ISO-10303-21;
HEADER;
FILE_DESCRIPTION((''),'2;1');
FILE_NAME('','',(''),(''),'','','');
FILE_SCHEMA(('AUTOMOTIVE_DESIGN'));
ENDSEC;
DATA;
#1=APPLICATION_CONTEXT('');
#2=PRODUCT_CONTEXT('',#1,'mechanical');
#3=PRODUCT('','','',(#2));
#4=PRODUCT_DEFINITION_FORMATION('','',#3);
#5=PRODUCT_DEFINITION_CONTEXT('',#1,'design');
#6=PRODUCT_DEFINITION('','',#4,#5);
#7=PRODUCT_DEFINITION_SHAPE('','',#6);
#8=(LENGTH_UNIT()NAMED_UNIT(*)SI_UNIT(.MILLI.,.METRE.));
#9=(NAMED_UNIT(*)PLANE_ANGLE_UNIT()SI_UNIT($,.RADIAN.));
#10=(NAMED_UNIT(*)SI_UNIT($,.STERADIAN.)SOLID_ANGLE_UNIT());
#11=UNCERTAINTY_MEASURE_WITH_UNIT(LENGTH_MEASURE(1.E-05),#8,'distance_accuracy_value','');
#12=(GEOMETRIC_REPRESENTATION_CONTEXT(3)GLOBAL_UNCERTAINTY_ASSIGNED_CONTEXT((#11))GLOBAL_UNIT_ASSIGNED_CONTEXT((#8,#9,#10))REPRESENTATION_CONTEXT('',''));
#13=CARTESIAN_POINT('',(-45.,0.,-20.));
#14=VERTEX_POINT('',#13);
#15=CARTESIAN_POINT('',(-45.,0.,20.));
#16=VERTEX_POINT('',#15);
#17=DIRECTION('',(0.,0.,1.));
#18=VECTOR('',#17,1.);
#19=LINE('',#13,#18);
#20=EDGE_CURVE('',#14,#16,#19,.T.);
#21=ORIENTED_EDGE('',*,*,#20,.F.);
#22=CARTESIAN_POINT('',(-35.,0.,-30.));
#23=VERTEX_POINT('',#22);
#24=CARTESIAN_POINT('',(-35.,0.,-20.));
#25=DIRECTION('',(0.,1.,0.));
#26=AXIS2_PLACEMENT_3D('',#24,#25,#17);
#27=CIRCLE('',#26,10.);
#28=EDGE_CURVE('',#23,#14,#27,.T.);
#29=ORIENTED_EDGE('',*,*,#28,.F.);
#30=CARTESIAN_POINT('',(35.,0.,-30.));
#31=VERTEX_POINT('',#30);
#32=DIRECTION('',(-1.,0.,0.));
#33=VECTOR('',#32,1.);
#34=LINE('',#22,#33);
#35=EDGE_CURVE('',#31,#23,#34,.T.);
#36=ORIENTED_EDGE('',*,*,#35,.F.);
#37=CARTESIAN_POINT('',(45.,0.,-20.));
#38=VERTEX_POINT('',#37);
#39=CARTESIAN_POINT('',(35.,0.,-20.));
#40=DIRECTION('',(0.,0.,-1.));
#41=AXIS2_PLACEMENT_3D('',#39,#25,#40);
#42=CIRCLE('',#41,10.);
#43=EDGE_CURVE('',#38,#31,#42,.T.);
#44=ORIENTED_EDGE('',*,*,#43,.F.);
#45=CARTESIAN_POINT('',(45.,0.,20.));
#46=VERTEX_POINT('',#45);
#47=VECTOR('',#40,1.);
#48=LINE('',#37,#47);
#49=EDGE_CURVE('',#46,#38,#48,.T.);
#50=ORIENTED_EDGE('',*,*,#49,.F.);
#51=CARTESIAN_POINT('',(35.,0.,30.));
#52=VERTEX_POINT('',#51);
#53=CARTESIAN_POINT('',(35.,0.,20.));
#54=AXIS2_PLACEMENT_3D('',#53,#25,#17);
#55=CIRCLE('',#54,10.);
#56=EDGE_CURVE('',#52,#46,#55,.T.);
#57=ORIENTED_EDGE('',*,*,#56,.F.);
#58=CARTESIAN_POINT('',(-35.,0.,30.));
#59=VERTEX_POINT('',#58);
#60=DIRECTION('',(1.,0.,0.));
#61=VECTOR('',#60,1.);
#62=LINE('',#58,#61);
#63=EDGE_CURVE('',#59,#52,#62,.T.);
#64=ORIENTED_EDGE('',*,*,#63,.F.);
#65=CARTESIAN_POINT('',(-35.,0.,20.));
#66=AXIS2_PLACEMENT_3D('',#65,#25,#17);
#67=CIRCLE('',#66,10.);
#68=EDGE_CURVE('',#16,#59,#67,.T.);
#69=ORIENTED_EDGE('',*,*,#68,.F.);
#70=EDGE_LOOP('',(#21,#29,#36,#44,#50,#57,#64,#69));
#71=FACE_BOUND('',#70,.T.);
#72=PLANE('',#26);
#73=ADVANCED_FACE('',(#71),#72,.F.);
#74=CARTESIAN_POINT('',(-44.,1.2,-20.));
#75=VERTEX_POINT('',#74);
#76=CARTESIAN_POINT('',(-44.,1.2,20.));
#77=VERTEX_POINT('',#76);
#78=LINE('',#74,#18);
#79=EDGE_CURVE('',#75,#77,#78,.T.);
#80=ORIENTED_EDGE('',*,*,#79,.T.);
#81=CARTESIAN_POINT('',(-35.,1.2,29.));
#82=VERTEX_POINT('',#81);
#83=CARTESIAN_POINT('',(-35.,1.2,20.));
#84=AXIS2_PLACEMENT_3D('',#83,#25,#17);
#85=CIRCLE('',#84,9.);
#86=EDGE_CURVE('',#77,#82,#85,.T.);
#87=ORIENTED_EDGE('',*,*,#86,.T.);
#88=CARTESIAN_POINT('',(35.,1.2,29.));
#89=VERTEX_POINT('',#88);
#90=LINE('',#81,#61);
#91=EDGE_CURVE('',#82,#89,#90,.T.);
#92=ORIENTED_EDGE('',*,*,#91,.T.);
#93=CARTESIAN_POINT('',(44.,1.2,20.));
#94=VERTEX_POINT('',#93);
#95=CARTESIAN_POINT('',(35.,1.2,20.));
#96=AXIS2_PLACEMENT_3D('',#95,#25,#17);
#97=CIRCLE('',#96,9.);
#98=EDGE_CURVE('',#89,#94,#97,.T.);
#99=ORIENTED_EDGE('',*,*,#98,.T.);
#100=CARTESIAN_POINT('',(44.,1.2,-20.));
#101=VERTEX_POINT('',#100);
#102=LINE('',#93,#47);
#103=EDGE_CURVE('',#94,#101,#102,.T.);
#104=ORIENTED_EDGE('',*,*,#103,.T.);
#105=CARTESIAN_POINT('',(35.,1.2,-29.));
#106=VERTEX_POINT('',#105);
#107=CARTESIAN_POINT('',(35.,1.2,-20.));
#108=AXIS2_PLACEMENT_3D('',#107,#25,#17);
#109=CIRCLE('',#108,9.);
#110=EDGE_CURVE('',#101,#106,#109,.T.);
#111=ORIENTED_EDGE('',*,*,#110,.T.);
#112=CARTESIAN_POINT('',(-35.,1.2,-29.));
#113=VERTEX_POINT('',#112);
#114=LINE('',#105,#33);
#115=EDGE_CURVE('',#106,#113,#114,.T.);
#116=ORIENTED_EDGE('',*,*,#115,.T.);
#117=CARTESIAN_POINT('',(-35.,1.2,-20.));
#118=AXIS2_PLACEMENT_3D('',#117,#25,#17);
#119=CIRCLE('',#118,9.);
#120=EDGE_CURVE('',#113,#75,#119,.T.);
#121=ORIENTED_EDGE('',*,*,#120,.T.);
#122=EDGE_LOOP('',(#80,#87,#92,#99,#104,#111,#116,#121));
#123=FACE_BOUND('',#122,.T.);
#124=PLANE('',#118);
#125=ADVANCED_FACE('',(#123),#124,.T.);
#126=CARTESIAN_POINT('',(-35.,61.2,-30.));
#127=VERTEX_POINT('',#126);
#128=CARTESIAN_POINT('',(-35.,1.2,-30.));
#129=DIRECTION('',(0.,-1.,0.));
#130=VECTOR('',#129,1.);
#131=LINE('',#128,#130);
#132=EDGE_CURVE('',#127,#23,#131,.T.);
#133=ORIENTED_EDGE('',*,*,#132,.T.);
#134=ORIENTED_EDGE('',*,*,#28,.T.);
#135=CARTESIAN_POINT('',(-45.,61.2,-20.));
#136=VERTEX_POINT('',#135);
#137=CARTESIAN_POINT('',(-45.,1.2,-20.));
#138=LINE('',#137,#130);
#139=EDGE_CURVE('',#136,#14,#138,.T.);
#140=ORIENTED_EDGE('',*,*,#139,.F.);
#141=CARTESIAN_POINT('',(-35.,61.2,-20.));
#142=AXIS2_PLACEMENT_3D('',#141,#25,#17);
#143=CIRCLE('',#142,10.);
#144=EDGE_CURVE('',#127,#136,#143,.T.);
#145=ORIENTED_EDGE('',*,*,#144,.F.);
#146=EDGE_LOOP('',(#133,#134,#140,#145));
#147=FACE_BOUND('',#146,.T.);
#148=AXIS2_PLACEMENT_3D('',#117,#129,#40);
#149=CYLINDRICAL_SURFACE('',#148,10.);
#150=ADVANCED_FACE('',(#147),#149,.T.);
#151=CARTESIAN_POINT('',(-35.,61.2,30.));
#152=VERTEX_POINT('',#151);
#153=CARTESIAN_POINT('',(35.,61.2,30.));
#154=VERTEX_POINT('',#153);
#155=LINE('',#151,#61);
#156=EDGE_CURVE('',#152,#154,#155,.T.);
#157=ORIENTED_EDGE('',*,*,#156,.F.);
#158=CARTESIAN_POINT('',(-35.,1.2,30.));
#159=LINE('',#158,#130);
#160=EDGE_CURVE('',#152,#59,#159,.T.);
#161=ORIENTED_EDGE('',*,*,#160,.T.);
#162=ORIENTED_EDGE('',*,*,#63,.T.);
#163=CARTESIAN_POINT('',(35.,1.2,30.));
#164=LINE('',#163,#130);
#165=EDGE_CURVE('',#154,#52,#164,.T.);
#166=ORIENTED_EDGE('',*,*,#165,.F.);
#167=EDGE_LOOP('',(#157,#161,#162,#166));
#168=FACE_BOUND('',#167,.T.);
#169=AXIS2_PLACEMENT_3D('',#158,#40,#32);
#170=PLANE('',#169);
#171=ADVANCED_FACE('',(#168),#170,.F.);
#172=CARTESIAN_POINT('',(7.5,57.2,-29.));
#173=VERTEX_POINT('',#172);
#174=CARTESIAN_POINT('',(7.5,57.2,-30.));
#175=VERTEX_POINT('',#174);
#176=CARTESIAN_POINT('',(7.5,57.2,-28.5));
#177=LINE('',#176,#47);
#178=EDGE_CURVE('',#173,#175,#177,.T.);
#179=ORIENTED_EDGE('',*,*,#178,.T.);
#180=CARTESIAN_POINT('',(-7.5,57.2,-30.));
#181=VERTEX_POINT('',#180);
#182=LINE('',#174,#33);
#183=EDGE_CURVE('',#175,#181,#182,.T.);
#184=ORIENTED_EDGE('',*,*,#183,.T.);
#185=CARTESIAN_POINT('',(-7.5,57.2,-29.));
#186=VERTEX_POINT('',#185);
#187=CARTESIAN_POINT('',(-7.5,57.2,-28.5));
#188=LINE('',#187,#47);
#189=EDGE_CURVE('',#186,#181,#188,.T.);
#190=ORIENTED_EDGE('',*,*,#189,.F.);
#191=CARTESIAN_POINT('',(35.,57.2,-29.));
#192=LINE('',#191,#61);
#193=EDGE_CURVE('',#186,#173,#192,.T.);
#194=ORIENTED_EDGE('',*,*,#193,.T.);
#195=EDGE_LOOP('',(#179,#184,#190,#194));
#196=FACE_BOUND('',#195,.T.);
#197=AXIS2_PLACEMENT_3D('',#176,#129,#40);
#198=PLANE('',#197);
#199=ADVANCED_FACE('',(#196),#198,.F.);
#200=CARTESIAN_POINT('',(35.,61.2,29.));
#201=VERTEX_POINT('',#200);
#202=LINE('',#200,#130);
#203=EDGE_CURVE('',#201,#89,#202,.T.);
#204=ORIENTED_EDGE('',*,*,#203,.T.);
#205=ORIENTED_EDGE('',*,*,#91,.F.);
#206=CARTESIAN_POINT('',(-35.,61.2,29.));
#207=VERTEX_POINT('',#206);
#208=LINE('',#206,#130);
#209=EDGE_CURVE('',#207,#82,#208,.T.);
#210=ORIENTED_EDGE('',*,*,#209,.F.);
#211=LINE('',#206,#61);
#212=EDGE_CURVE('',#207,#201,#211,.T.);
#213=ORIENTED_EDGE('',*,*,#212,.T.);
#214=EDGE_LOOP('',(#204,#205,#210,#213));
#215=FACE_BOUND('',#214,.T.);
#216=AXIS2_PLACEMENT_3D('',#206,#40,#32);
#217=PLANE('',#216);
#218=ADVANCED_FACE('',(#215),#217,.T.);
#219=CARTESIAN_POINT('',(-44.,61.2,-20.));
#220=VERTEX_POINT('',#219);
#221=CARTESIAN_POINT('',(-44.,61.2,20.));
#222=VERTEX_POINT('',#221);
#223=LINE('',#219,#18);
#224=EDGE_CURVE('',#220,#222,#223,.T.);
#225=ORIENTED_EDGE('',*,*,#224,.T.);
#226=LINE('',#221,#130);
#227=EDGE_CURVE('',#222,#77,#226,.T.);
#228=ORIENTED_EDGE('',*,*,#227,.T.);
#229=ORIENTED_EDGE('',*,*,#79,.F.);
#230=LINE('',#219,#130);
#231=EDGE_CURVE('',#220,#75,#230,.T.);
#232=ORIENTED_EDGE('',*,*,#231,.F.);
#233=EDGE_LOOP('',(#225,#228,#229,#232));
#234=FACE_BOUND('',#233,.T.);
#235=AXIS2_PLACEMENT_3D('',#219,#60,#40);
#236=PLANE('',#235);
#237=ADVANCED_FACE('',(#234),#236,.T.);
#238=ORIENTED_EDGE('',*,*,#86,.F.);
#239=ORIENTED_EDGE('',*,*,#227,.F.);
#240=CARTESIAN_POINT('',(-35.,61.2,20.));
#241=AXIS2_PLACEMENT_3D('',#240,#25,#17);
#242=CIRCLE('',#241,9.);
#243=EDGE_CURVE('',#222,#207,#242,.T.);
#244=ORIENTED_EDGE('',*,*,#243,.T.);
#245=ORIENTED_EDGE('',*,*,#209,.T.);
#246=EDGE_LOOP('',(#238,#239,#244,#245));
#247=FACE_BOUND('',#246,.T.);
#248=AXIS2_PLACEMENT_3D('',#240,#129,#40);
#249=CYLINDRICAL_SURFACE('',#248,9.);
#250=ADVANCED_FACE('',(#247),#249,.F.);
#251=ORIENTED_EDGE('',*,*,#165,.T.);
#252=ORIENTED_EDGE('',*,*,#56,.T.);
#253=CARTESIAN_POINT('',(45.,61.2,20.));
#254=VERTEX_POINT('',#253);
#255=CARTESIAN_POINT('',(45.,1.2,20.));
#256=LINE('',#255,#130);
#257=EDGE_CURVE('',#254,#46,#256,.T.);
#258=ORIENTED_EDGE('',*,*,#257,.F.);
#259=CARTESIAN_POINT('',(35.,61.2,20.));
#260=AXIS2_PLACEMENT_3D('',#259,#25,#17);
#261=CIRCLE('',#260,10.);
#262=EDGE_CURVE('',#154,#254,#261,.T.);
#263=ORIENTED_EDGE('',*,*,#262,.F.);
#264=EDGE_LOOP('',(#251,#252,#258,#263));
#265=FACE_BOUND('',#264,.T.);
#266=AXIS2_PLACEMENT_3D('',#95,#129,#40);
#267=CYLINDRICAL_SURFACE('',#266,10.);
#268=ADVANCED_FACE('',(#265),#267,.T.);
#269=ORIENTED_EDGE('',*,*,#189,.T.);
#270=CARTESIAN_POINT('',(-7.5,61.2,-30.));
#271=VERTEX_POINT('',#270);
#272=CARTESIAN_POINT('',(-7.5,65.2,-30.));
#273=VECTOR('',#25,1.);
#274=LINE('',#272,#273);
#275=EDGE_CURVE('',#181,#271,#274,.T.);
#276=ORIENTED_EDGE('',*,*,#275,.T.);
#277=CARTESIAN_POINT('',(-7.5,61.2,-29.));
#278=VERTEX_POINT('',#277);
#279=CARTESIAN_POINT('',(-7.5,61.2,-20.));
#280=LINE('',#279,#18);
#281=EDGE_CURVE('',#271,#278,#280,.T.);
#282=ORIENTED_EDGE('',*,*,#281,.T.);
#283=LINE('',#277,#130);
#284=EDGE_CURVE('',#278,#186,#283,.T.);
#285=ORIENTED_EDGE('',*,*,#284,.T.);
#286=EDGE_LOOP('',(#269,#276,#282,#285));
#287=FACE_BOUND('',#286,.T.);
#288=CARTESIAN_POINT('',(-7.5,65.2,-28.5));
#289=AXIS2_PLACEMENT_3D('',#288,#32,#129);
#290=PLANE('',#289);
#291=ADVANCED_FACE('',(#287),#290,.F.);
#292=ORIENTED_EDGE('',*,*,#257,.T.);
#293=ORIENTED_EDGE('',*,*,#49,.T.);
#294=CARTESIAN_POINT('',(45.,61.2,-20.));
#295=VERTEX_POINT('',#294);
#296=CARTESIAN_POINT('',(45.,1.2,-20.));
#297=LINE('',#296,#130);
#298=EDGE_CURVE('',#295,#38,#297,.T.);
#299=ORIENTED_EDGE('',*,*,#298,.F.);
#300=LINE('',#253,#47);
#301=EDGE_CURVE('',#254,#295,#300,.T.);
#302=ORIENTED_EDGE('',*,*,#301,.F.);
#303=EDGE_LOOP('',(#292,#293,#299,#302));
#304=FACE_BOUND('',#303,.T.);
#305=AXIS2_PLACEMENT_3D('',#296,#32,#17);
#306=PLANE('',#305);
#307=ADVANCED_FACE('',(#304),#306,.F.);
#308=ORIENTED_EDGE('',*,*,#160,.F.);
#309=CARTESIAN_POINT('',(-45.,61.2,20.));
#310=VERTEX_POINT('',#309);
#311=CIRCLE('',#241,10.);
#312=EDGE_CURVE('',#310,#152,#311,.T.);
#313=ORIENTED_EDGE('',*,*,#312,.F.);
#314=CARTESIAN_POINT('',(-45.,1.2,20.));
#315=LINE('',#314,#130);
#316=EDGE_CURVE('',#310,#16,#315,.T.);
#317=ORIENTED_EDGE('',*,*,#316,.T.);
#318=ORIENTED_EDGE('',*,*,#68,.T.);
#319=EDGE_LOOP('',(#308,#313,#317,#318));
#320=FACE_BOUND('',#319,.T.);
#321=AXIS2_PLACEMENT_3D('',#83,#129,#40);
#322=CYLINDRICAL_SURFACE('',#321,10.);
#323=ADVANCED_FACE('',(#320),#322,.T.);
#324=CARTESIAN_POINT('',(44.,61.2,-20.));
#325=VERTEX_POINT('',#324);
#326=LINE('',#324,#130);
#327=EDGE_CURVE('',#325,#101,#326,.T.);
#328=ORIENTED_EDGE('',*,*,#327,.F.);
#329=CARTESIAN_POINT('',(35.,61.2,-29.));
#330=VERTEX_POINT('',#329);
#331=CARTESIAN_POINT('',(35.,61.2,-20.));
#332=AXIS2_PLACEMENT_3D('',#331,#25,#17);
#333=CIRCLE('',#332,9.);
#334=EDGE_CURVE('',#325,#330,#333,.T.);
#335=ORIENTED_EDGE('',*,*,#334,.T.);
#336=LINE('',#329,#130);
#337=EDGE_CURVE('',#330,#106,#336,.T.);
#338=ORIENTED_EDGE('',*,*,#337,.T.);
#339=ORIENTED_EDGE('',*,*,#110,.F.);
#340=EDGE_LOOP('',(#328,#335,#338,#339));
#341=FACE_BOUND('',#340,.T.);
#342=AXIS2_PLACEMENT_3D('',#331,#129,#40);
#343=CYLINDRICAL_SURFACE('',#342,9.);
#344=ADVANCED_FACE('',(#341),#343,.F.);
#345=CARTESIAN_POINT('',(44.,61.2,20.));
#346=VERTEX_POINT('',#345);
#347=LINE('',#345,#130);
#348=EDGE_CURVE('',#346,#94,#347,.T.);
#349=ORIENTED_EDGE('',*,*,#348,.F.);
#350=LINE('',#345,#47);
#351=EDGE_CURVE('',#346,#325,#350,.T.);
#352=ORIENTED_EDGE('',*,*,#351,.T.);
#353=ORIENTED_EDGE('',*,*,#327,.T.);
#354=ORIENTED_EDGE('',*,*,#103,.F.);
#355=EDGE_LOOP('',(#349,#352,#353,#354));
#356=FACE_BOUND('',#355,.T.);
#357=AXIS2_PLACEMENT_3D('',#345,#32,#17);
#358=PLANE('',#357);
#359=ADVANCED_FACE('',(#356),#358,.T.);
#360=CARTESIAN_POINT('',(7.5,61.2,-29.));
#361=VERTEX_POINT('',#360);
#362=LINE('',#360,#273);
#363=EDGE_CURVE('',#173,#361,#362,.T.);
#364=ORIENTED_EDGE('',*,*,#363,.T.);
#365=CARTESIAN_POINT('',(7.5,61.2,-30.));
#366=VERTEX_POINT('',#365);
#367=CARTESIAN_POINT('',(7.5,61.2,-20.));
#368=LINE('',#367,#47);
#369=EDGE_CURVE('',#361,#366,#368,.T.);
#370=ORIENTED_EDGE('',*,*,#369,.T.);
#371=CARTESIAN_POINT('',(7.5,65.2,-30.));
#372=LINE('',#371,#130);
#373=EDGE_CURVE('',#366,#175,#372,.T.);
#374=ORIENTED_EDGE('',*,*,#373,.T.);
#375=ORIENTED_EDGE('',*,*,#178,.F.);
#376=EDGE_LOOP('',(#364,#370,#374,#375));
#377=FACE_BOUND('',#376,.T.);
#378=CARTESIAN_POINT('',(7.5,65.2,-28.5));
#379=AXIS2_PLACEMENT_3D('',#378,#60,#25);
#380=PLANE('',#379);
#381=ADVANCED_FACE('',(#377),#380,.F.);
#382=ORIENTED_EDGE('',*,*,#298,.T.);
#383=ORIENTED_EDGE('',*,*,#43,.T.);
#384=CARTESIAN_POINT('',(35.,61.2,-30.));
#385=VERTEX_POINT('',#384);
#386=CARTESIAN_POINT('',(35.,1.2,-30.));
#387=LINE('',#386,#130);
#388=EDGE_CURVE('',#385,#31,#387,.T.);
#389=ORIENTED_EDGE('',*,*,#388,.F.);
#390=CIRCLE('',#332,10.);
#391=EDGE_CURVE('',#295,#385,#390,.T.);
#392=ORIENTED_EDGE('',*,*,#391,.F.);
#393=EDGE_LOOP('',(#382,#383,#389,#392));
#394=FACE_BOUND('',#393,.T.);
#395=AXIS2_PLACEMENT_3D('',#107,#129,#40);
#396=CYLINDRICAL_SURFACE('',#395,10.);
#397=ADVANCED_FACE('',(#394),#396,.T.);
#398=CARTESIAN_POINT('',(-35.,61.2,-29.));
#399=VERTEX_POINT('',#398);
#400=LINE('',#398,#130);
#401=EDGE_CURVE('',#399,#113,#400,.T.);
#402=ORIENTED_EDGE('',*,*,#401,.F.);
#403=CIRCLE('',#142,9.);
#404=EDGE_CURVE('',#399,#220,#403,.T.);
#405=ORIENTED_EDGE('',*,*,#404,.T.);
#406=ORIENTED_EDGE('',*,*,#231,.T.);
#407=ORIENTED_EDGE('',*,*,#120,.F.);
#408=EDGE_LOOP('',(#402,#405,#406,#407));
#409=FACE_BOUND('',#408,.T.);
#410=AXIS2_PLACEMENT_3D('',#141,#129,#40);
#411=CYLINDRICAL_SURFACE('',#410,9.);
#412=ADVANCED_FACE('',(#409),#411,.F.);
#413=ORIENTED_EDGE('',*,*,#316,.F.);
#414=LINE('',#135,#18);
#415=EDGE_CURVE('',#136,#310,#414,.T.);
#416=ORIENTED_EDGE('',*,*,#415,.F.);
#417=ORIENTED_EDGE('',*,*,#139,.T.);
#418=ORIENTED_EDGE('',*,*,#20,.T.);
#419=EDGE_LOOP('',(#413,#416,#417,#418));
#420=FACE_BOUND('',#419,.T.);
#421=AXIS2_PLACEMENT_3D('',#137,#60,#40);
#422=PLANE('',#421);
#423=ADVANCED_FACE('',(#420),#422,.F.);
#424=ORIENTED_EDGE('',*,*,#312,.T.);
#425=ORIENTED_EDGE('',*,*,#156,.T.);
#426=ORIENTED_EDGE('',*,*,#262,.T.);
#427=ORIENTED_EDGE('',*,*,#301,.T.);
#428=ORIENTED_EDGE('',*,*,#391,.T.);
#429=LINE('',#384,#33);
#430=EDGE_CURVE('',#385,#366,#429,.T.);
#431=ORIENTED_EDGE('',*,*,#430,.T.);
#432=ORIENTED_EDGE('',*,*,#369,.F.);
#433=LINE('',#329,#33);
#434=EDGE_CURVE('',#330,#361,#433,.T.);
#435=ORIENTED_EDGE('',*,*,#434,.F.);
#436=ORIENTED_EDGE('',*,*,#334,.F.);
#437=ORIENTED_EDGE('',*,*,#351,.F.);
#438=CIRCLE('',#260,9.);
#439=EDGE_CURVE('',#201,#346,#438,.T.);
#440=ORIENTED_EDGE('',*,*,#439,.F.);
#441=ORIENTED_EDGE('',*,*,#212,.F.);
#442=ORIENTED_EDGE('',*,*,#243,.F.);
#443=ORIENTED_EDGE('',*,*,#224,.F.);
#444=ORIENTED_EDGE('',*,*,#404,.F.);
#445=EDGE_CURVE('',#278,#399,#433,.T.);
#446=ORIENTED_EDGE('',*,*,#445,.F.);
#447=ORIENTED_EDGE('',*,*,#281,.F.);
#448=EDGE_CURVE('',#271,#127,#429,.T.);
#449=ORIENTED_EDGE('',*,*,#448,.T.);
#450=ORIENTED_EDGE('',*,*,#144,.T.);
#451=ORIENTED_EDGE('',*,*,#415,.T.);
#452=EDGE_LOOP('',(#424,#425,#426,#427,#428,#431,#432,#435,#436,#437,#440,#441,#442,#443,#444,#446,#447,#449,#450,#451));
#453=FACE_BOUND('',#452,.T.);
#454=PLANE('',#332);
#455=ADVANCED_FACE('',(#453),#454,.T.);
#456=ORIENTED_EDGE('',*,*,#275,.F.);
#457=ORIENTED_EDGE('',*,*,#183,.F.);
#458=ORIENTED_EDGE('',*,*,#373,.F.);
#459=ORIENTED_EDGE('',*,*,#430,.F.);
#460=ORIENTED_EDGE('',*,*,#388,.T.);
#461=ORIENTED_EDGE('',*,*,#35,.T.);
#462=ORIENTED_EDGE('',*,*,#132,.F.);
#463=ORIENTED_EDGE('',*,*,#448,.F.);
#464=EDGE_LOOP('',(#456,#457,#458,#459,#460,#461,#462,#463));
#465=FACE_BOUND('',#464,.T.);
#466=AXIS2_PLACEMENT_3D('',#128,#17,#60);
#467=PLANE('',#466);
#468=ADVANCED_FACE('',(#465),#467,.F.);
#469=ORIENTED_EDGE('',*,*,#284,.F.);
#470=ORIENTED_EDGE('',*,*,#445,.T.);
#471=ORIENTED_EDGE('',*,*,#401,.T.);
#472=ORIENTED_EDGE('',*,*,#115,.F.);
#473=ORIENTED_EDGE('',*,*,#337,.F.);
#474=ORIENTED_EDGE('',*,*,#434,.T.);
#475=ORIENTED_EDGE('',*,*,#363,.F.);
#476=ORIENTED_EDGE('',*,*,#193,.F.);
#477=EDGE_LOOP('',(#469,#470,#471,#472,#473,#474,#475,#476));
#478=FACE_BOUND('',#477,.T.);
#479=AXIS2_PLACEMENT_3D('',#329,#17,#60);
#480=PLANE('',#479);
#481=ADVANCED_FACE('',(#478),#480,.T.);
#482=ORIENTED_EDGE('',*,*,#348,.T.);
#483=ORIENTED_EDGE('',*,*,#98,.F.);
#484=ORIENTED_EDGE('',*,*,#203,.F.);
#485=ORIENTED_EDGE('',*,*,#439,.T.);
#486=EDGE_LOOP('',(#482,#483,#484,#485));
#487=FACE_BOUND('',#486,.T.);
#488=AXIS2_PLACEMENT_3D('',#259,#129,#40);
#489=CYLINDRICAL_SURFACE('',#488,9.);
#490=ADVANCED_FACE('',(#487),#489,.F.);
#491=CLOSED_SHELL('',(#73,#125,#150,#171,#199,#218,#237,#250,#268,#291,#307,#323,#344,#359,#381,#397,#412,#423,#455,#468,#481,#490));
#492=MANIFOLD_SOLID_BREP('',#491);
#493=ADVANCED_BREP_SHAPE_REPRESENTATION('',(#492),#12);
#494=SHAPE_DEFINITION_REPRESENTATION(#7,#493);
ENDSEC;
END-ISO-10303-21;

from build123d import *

# Parameters (mm, degrees)
EXTRUDE_1_DEPTH     = 1.2
EXTRUDE_2_DEPTH     = 60
SKETCH_5_W          = 15
SKETCH_5_H          = 8
CUT_EXTRUDE_1_DEPTH = 1.5


with BuildPart() as part:
    # 草图1 → 凸台-拉伸1 (new body)
    with BuildSketch(Plane(origin=(0, 0, 0), x_dir=(1, 0, 0), z_dir=(0, 1, 0))):
        with BuildLine():
            Line((-35, 30), (35, 30))
            ThreePointArc((35, 30), (42.071067812, 27.071067812), (45, 20))
            Line((45, 20), (45, -20))
            ThreePointArc((45, -20), (42.071067812, -27.071067812), (35, -30))
            Line((35, -30), (-35, -30))
            ThreePointArc((-35, -30), (-42.071067812, -27.071067812), (-45, -20))
            Line((-45, -20), (-45, 20))
            ThreePointArc((-45, 20), (-42.071067812, 27.071067812), (-35, 30))
        make_face()
    extrude(amount=EXTRUDE_1_DEPTH)

    # 草图2 → 凸台-拉伸2 (add)
    with BuildSketch(Plane(origin=(0, 1.2, 0), x_dir=(1, 0, 0), z_dir=(0, 1, 0))):
        with BuildLine():
            Line((45, -20), (45, 20))
            ThreePointArc((45, 20), (42.071067812, 27.071067812), (35, 30))
            Line((35, 30), (-35, 30))
            ThreePointArc((-35, 30), (-42.071067812, 27.071067812), (-45, 20))
            Line((-45, 20), (-45, -20))
            ThreePointArc((-45, -20), (-42.071067812, -27.071067812), (-35, -30))
            Line((-35, -30), (35, -30))
            ThreePointArc((35, -30), (42.071067812, -27.071067812), (45, -20))
        make_face()
        with BuildLine():
            Line((44, -20), (44, 20))
            ThreePointArc((44, 20), (41.363961031, 26.363961031), (35, 29))
            Line((35, 29), (-35, 29))
            ThreePointArc((-35, 29), (-41.363961031, 26.363961031), (-44, 20))
            Line((-44, 20), (-44, -20))
            ThreePointArc((-44, -20), (-41.363961031, -26.363961031), (-35, -29))
            Line((-35, -29), (35, -29))
            ThreePointArc((35, -29), (41.363961031, -26.363961031), (44, -20))
        make_face(mode=Mode.SUBTRACT)
    extrude(amount=EXTRUDE_2_DEPTH)

    # 草图5 → 切除-拉伸1 (cut)
    with BuildSketch(Plane(origin=(0, 0, -30), x_dir=(-1, 0, 0), z_dir=(0, 0, -1))):
        with Locations((0, 61.2)):
            Rectangle(SKETCH_5_W, SKETCH_5_H)
    extrude(amount=-CUT_EXTRUDE_1_DEPTH, mode=Mode.SUBTRACT)


solid = part.part
